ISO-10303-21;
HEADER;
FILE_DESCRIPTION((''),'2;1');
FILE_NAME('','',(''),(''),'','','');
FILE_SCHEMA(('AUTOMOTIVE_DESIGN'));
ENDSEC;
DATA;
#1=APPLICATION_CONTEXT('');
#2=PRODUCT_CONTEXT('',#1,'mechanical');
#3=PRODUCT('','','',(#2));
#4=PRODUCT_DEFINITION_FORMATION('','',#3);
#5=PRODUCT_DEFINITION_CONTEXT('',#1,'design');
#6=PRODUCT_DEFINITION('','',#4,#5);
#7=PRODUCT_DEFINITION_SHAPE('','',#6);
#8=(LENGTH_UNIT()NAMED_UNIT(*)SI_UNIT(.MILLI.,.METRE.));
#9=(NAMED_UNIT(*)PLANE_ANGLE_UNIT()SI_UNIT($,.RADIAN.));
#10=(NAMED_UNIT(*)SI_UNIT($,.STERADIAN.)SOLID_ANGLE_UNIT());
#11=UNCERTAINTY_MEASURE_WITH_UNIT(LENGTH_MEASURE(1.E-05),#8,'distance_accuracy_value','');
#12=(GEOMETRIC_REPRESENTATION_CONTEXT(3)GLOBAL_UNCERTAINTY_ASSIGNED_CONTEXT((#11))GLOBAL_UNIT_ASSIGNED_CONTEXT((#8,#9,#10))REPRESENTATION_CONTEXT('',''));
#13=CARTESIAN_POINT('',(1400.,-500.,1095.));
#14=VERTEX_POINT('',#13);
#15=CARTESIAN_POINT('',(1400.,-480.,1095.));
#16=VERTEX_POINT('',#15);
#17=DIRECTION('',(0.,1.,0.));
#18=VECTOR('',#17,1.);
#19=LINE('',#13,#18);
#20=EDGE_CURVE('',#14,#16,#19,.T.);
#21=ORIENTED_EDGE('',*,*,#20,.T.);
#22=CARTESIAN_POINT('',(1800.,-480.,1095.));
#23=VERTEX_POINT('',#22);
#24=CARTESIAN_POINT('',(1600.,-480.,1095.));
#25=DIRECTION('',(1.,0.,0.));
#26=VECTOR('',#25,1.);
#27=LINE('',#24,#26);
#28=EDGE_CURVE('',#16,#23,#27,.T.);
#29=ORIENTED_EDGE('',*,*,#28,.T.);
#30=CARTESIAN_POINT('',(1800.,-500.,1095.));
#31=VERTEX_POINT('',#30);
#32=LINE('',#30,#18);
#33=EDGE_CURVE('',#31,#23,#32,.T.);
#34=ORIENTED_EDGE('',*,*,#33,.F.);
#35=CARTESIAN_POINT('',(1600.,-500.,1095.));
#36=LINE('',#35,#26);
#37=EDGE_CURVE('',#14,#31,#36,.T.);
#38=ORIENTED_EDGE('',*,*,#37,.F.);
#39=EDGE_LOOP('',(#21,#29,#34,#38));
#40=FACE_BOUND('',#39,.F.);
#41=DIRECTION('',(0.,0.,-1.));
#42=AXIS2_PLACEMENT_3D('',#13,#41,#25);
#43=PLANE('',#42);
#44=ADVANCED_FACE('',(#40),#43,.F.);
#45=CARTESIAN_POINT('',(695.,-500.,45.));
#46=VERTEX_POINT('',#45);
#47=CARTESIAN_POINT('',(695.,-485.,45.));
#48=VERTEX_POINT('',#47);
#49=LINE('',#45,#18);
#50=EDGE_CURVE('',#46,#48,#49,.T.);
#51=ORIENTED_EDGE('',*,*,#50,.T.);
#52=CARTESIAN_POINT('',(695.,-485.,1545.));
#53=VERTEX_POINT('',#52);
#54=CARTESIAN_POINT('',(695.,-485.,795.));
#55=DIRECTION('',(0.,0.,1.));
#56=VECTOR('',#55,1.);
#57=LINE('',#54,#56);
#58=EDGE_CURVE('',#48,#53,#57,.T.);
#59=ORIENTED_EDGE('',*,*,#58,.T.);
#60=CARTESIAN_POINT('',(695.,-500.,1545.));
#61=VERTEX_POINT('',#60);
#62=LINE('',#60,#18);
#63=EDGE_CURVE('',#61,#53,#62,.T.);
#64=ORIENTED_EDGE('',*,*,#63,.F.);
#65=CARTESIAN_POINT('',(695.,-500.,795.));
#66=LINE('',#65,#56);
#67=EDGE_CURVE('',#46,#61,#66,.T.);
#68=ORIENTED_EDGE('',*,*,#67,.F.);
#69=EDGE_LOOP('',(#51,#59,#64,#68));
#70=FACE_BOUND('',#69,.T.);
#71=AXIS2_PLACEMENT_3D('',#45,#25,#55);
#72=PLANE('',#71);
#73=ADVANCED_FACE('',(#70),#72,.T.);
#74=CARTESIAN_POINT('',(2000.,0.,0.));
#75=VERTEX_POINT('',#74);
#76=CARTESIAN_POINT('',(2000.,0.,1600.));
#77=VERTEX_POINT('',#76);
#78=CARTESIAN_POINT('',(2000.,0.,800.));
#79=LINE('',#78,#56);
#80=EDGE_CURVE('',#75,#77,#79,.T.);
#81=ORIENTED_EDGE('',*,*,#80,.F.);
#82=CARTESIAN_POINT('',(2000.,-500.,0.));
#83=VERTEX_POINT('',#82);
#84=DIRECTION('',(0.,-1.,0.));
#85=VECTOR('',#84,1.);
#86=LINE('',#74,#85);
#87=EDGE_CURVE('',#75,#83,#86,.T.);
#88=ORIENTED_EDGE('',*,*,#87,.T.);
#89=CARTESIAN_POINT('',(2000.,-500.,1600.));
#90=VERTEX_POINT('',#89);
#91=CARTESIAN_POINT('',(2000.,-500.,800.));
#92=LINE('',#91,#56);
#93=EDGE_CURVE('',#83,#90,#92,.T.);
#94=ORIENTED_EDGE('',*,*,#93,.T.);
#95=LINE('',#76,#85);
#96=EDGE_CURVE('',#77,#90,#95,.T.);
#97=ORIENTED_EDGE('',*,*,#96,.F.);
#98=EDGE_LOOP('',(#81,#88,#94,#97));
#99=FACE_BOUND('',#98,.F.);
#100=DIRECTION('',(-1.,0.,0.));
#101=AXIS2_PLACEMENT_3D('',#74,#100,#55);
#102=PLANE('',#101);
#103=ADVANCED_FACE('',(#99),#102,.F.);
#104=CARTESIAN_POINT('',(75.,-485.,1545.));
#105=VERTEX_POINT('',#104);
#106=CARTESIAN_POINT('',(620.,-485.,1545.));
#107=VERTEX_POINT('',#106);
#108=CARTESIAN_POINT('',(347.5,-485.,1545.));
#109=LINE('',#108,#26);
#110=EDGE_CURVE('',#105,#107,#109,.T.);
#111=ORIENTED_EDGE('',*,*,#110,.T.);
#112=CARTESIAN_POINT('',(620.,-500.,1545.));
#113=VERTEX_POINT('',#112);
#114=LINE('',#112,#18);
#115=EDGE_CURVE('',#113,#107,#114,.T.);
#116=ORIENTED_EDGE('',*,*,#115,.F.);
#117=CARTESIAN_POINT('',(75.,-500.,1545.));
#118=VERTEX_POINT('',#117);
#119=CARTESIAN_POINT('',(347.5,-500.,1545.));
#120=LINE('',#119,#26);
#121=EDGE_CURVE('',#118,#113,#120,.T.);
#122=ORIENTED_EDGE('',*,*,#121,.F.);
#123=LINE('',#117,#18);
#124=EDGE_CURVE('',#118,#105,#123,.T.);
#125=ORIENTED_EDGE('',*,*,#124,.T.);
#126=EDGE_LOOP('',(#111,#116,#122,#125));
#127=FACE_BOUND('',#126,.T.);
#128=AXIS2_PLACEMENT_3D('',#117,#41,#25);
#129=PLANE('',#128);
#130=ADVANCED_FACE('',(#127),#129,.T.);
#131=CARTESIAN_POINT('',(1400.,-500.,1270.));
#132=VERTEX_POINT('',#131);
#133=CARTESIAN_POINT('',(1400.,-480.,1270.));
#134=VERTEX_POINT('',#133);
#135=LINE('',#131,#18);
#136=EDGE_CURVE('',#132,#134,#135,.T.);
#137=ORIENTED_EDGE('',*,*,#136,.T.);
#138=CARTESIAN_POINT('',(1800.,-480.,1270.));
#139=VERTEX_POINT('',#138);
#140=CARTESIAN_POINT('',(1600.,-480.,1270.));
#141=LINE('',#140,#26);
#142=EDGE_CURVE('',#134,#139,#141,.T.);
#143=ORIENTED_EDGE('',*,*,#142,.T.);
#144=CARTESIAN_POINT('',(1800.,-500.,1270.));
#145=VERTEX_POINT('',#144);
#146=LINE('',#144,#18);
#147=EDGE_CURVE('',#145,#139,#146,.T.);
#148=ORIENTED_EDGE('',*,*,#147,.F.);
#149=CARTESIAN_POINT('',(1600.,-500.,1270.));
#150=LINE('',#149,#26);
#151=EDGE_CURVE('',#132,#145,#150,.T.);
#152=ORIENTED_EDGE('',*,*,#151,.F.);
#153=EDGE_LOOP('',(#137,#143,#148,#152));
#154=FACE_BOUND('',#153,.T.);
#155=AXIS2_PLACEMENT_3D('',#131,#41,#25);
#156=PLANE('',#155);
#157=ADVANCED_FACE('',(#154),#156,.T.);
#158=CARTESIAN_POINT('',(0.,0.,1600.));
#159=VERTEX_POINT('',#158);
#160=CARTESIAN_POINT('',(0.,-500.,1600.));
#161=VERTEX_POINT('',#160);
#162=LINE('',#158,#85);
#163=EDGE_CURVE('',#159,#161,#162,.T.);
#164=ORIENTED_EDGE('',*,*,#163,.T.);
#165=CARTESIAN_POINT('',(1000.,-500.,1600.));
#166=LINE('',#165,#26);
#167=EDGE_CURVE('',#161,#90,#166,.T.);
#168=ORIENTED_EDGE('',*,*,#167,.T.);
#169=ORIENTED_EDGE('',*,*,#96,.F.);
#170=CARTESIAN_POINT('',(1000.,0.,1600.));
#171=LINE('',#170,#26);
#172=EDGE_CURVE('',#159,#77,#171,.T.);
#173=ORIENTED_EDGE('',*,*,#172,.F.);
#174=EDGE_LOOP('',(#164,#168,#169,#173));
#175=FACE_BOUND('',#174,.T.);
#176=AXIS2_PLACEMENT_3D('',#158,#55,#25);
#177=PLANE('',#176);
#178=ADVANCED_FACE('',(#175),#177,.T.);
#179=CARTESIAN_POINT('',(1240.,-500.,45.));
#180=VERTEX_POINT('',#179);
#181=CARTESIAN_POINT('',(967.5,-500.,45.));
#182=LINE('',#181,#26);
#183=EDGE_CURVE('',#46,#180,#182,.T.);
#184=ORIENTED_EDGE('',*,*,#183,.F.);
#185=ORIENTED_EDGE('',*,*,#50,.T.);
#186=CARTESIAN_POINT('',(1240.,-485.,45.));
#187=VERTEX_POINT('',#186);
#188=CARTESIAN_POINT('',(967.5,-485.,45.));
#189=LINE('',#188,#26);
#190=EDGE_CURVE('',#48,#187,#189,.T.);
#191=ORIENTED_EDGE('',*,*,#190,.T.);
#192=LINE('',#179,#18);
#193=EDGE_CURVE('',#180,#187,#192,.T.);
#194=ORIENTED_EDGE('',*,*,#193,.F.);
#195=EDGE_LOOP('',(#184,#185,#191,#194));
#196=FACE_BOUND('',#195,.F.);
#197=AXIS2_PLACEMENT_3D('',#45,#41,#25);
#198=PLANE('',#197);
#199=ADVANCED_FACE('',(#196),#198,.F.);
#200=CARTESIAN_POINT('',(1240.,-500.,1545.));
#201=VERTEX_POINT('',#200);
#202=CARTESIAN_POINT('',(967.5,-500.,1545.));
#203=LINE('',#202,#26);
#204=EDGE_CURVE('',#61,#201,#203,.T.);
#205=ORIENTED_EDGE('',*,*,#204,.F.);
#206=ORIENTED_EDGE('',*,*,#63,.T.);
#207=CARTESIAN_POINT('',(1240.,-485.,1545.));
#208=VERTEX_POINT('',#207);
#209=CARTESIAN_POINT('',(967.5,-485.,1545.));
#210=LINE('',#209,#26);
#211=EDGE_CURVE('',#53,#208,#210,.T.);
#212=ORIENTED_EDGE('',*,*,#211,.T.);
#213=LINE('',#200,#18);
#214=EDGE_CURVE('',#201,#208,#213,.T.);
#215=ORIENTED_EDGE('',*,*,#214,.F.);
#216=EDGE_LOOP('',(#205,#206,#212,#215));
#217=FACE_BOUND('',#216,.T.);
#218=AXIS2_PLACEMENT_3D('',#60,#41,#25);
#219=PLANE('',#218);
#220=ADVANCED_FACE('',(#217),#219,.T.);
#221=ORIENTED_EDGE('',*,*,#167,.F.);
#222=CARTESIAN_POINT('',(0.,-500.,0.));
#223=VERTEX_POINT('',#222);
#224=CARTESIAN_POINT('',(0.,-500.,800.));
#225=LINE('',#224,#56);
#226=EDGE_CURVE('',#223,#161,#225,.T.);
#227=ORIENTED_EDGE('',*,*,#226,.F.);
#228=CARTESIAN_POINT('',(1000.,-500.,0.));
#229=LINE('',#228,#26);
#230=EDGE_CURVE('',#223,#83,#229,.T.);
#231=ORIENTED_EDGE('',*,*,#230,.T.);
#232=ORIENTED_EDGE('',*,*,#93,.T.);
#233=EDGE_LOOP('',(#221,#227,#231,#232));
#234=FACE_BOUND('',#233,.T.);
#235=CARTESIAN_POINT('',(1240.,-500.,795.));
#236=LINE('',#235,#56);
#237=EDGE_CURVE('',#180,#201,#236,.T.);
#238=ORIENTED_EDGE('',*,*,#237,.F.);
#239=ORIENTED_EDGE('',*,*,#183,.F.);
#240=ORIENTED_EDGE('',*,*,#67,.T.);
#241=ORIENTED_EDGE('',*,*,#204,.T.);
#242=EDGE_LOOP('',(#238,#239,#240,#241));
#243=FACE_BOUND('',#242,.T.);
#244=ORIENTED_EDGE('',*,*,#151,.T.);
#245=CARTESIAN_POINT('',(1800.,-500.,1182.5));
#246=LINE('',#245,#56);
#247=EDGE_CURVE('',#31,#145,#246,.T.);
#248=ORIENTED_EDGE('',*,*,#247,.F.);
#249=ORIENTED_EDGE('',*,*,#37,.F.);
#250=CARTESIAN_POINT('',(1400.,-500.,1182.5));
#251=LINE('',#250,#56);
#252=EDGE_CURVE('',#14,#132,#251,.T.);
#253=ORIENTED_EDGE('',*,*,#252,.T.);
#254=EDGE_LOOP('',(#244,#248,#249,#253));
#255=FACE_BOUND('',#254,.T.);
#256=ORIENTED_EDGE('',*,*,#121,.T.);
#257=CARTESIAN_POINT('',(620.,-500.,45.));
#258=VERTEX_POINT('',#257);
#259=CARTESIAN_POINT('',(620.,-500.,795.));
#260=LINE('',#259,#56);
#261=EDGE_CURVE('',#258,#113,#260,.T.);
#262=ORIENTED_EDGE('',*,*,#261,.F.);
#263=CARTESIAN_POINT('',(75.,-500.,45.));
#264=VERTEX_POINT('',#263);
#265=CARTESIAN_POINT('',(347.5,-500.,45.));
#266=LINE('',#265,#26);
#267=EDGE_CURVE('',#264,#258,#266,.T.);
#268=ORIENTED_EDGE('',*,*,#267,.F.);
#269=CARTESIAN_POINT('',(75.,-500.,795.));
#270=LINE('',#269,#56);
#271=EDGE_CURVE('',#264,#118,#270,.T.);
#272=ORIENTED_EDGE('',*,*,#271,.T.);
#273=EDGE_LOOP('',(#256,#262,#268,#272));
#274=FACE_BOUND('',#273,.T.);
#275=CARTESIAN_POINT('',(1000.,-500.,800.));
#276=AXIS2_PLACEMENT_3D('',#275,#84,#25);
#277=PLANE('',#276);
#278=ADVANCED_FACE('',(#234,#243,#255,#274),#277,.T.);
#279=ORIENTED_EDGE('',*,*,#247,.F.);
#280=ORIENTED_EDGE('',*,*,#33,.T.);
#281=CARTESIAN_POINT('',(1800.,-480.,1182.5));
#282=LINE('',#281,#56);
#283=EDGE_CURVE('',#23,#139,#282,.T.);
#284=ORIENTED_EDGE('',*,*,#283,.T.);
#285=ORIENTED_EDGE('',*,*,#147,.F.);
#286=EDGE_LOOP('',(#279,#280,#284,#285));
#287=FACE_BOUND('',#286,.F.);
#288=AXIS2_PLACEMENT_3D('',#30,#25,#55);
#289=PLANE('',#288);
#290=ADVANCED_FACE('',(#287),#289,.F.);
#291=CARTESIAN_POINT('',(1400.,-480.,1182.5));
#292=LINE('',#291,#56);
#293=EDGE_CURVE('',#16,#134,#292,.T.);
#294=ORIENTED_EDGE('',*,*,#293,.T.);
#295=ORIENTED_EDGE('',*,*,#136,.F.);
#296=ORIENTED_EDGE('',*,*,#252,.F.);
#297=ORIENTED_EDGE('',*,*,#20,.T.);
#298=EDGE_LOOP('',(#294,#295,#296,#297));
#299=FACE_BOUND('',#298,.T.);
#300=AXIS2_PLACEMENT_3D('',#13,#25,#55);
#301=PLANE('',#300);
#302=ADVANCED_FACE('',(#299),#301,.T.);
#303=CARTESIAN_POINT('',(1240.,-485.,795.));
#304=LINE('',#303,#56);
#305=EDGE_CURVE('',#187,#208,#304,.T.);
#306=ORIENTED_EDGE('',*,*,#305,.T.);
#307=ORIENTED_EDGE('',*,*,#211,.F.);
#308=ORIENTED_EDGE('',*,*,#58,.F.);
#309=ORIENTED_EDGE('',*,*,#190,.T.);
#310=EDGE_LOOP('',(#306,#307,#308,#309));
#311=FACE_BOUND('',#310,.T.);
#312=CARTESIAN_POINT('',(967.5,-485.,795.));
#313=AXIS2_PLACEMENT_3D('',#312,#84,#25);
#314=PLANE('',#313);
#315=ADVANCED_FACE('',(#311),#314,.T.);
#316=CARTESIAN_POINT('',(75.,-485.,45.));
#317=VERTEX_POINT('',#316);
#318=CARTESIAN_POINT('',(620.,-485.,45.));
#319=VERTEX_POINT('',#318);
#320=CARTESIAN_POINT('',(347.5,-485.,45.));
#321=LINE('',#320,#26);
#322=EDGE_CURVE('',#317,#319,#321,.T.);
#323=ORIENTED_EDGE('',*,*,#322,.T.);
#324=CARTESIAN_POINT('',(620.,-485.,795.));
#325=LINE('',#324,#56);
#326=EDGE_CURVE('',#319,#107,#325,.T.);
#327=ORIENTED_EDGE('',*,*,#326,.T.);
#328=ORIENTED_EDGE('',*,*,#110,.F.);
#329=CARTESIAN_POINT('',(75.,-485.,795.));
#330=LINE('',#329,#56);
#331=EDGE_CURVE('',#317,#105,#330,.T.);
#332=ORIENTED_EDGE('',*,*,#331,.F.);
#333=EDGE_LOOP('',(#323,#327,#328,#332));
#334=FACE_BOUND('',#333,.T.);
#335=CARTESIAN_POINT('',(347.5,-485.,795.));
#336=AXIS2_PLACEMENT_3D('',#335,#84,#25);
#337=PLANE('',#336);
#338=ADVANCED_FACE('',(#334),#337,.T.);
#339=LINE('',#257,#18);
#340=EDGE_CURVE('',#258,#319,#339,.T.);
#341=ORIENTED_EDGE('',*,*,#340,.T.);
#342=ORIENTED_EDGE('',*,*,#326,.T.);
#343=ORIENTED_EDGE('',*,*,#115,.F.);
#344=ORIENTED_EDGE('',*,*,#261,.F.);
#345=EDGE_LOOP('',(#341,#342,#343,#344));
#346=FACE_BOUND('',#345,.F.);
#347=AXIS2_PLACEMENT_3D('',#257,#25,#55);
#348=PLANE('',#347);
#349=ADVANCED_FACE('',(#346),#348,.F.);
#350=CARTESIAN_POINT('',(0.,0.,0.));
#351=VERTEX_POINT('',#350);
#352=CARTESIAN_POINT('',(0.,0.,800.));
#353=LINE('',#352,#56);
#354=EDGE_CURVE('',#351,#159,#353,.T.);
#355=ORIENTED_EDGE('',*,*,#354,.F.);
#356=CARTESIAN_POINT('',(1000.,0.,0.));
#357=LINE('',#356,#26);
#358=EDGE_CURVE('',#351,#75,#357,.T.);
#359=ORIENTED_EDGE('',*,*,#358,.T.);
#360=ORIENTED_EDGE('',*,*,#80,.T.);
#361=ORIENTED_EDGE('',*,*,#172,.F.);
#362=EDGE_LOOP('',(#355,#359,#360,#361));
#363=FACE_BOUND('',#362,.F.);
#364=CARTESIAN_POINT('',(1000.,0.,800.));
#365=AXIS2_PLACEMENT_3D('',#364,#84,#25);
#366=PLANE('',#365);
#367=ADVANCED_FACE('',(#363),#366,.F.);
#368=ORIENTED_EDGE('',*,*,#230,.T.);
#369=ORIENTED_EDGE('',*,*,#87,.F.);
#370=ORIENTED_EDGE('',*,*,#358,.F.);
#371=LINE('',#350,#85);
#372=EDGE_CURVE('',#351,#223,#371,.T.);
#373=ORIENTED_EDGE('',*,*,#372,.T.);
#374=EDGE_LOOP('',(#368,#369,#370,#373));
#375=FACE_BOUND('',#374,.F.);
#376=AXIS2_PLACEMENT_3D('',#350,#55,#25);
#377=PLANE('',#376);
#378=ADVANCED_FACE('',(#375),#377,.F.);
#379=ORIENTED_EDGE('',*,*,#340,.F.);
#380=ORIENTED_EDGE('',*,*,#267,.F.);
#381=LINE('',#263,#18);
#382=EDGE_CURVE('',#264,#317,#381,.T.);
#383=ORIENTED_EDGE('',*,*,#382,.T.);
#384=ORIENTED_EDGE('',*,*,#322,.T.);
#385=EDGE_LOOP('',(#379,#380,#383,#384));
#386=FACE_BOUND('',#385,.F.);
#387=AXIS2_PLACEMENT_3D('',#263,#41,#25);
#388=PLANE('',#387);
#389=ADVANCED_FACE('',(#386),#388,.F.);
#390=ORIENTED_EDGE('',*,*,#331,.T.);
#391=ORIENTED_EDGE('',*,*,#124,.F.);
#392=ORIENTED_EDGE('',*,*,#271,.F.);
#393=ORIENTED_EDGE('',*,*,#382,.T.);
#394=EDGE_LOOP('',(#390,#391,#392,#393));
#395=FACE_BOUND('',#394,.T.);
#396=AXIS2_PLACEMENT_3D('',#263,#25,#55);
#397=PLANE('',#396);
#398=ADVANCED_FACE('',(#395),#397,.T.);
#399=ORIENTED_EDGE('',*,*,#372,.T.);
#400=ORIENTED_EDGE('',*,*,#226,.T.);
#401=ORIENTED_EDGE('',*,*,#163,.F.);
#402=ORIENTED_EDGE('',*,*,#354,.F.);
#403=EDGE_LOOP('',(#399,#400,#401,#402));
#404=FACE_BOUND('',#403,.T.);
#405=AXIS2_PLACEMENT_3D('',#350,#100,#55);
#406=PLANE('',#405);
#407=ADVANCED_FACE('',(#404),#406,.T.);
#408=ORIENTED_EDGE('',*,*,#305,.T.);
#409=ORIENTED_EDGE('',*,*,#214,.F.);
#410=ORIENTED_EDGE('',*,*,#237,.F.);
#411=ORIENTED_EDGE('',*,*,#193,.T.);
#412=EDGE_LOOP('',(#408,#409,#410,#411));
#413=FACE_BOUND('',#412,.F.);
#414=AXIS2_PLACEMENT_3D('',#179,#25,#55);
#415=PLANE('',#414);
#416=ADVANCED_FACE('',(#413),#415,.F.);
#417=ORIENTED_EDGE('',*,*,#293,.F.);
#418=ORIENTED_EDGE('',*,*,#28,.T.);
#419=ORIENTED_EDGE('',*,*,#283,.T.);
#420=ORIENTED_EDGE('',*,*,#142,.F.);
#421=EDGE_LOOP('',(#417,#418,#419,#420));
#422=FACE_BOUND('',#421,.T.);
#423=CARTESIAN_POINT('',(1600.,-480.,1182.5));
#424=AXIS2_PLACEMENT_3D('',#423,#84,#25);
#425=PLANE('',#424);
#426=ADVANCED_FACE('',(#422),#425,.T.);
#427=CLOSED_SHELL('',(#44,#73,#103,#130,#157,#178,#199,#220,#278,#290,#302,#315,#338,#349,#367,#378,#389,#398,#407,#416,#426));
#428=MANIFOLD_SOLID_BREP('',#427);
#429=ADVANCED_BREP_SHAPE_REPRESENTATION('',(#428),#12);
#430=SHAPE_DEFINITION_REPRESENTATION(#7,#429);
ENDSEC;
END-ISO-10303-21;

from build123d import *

# Parameters (mm, degrees)
F0_W     = 2000
F0_H     = 1600
F1_DEPTH = 500
F2_W     = 400
F2_H     = 175
F3_DEPTH = 20
F4_W     = 545
F4_H     = 1500
F5_DEPTH = 15


with BuildPart() as f1:
    # F0 (on Front) → F1 (new body)
    with BuildSketch(Plane.XZ):
        with Locations((1000, 800)):
            Rectangle(F0_W, F0_H)
    extrude(amount=F1_DEPTH)

    # F2 (on face) → F3 (cut)
    with BuildSketch(Plane.XZ.offset(500)):
        with Locations((1600, 1182.5)):
            Rectangle(F2_W, F2_H)
    extrude(amount=-F3_DEPTH, mode=Mode.SUBTRACT)

    # F4 (on face) → F5 (cut)
    with BuildSketch(Plane.XZ.offset(500)):
        with Locations((347.5, 795)):
            Rectangle(F4_W, F4_H)
        with Locations((967.5, 795)):
            Rectangle(F4_W, F4_H)
    extrude(amount=-F5_DEPTH, mode=Mode.SUBTRACT)


solid = f1.part
